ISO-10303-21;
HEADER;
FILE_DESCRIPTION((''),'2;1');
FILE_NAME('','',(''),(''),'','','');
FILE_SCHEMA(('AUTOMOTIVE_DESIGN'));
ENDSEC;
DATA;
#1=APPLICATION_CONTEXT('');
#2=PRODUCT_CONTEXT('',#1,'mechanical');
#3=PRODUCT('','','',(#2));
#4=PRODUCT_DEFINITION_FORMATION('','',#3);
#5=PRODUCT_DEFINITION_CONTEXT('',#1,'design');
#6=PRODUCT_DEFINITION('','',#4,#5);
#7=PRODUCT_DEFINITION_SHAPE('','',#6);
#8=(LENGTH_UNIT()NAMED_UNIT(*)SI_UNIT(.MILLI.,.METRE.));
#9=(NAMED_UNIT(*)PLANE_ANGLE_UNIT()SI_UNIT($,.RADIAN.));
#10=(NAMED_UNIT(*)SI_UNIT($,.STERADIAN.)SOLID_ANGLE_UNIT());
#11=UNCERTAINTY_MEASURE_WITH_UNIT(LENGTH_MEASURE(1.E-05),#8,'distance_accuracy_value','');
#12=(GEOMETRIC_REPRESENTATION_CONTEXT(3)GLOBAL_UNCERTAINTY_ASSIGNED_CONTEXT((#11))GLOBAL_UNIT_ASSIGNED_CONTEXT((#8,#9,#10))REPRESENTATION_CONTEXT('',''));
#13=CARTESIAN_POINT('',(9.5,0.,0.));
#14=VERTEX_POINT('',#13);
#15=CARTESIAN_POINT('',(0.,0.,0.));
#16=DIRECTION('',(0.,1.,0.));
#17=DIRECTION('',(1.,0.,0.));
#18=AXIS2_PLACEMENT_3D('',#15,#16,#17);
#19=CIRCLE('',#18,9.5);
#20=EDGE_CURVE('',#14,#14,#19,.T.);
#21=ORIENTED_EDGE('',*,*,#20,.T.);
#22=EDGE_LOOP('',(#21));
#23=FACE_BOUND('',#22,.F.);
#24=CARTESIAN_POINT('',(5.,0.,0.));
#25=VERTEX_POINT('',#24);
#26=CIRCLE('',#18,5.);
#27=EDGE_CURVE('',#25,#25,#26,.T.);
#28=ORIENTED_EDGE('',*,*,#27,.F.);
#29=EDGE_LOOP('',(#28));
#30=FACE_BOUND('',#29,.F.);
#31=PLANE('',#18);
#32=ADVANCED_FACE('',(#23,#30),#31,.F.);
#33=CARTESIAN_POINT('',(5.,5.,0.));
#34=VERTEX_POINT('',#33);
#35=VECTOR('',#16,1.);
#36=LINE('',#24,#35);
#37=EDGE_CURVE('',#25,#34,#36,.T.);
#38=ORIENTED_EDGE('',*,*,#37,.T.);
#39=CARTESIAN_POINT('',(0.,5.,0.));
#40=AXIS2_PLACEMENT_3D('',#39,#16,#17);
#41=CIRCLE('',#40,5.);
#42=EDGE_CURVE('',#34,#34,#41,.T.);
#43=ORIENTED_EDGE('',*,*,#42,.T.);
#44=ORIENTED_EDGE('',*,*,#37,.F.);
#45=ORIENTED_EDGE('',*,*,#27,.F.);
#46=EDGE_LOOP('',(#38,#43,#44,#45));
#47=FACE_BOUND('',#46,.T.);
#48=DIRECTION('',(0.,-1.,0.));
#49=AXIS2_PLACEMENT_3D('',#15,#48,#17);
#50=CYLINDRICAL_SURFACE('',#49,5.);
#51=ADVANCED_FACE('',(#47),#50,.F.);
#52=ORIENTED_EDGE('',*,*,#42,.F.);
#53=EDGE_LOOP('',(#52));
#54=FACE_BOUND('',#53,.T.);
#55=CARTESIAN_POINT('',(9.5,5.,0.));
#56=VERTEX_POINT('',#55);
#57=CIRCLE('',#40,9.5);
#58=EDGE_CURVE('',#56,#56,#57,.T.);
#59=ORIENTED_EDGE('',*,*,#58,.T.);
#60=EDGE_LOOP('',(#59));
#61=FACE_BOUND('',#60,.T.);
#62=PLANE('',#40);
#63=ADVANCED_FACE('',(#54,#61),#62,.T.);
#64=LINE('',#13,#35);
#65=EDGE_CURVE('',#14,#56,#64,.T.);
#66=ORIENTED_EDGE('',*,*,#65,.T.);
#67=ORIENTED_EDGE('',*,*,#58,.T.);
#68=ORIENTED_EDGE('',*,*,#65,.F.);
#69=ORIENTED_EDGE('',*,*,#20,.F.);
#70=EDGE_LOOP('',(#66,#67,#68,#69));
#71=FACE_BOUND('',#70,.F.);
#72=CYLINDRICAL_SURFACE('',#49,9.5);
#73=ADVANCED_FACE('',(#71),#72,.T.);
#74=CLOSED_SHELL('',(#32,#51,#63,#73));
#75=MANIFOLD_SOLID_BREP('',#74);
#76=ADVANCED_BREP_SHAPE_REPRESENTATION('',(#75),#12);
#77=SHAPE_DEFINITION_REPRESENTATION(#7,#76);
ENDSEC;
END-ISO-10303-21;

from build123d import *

# Parameters (mm, degrees)
SKETCH_1_R      = 9.5
SKETCH_1_R_2    = 5
EXTRUDE_1_DEPTH = 5


with BuildPart() as part:
    # 草图1 → 凸台-拉伸1 (new body)
    with BuildSketch(Plane(origin=(0, 0, 0), x_dir=(1, 0, 0), z_dir=(0, 1, 0))):
        Circle(SKETCH_1_R)
        Circle(SKETCH_1_R_2, mode=Mode.SUBTRACT)
    extrude(amount=EXTRUDE_1_DEPTH)


solid = part.part
